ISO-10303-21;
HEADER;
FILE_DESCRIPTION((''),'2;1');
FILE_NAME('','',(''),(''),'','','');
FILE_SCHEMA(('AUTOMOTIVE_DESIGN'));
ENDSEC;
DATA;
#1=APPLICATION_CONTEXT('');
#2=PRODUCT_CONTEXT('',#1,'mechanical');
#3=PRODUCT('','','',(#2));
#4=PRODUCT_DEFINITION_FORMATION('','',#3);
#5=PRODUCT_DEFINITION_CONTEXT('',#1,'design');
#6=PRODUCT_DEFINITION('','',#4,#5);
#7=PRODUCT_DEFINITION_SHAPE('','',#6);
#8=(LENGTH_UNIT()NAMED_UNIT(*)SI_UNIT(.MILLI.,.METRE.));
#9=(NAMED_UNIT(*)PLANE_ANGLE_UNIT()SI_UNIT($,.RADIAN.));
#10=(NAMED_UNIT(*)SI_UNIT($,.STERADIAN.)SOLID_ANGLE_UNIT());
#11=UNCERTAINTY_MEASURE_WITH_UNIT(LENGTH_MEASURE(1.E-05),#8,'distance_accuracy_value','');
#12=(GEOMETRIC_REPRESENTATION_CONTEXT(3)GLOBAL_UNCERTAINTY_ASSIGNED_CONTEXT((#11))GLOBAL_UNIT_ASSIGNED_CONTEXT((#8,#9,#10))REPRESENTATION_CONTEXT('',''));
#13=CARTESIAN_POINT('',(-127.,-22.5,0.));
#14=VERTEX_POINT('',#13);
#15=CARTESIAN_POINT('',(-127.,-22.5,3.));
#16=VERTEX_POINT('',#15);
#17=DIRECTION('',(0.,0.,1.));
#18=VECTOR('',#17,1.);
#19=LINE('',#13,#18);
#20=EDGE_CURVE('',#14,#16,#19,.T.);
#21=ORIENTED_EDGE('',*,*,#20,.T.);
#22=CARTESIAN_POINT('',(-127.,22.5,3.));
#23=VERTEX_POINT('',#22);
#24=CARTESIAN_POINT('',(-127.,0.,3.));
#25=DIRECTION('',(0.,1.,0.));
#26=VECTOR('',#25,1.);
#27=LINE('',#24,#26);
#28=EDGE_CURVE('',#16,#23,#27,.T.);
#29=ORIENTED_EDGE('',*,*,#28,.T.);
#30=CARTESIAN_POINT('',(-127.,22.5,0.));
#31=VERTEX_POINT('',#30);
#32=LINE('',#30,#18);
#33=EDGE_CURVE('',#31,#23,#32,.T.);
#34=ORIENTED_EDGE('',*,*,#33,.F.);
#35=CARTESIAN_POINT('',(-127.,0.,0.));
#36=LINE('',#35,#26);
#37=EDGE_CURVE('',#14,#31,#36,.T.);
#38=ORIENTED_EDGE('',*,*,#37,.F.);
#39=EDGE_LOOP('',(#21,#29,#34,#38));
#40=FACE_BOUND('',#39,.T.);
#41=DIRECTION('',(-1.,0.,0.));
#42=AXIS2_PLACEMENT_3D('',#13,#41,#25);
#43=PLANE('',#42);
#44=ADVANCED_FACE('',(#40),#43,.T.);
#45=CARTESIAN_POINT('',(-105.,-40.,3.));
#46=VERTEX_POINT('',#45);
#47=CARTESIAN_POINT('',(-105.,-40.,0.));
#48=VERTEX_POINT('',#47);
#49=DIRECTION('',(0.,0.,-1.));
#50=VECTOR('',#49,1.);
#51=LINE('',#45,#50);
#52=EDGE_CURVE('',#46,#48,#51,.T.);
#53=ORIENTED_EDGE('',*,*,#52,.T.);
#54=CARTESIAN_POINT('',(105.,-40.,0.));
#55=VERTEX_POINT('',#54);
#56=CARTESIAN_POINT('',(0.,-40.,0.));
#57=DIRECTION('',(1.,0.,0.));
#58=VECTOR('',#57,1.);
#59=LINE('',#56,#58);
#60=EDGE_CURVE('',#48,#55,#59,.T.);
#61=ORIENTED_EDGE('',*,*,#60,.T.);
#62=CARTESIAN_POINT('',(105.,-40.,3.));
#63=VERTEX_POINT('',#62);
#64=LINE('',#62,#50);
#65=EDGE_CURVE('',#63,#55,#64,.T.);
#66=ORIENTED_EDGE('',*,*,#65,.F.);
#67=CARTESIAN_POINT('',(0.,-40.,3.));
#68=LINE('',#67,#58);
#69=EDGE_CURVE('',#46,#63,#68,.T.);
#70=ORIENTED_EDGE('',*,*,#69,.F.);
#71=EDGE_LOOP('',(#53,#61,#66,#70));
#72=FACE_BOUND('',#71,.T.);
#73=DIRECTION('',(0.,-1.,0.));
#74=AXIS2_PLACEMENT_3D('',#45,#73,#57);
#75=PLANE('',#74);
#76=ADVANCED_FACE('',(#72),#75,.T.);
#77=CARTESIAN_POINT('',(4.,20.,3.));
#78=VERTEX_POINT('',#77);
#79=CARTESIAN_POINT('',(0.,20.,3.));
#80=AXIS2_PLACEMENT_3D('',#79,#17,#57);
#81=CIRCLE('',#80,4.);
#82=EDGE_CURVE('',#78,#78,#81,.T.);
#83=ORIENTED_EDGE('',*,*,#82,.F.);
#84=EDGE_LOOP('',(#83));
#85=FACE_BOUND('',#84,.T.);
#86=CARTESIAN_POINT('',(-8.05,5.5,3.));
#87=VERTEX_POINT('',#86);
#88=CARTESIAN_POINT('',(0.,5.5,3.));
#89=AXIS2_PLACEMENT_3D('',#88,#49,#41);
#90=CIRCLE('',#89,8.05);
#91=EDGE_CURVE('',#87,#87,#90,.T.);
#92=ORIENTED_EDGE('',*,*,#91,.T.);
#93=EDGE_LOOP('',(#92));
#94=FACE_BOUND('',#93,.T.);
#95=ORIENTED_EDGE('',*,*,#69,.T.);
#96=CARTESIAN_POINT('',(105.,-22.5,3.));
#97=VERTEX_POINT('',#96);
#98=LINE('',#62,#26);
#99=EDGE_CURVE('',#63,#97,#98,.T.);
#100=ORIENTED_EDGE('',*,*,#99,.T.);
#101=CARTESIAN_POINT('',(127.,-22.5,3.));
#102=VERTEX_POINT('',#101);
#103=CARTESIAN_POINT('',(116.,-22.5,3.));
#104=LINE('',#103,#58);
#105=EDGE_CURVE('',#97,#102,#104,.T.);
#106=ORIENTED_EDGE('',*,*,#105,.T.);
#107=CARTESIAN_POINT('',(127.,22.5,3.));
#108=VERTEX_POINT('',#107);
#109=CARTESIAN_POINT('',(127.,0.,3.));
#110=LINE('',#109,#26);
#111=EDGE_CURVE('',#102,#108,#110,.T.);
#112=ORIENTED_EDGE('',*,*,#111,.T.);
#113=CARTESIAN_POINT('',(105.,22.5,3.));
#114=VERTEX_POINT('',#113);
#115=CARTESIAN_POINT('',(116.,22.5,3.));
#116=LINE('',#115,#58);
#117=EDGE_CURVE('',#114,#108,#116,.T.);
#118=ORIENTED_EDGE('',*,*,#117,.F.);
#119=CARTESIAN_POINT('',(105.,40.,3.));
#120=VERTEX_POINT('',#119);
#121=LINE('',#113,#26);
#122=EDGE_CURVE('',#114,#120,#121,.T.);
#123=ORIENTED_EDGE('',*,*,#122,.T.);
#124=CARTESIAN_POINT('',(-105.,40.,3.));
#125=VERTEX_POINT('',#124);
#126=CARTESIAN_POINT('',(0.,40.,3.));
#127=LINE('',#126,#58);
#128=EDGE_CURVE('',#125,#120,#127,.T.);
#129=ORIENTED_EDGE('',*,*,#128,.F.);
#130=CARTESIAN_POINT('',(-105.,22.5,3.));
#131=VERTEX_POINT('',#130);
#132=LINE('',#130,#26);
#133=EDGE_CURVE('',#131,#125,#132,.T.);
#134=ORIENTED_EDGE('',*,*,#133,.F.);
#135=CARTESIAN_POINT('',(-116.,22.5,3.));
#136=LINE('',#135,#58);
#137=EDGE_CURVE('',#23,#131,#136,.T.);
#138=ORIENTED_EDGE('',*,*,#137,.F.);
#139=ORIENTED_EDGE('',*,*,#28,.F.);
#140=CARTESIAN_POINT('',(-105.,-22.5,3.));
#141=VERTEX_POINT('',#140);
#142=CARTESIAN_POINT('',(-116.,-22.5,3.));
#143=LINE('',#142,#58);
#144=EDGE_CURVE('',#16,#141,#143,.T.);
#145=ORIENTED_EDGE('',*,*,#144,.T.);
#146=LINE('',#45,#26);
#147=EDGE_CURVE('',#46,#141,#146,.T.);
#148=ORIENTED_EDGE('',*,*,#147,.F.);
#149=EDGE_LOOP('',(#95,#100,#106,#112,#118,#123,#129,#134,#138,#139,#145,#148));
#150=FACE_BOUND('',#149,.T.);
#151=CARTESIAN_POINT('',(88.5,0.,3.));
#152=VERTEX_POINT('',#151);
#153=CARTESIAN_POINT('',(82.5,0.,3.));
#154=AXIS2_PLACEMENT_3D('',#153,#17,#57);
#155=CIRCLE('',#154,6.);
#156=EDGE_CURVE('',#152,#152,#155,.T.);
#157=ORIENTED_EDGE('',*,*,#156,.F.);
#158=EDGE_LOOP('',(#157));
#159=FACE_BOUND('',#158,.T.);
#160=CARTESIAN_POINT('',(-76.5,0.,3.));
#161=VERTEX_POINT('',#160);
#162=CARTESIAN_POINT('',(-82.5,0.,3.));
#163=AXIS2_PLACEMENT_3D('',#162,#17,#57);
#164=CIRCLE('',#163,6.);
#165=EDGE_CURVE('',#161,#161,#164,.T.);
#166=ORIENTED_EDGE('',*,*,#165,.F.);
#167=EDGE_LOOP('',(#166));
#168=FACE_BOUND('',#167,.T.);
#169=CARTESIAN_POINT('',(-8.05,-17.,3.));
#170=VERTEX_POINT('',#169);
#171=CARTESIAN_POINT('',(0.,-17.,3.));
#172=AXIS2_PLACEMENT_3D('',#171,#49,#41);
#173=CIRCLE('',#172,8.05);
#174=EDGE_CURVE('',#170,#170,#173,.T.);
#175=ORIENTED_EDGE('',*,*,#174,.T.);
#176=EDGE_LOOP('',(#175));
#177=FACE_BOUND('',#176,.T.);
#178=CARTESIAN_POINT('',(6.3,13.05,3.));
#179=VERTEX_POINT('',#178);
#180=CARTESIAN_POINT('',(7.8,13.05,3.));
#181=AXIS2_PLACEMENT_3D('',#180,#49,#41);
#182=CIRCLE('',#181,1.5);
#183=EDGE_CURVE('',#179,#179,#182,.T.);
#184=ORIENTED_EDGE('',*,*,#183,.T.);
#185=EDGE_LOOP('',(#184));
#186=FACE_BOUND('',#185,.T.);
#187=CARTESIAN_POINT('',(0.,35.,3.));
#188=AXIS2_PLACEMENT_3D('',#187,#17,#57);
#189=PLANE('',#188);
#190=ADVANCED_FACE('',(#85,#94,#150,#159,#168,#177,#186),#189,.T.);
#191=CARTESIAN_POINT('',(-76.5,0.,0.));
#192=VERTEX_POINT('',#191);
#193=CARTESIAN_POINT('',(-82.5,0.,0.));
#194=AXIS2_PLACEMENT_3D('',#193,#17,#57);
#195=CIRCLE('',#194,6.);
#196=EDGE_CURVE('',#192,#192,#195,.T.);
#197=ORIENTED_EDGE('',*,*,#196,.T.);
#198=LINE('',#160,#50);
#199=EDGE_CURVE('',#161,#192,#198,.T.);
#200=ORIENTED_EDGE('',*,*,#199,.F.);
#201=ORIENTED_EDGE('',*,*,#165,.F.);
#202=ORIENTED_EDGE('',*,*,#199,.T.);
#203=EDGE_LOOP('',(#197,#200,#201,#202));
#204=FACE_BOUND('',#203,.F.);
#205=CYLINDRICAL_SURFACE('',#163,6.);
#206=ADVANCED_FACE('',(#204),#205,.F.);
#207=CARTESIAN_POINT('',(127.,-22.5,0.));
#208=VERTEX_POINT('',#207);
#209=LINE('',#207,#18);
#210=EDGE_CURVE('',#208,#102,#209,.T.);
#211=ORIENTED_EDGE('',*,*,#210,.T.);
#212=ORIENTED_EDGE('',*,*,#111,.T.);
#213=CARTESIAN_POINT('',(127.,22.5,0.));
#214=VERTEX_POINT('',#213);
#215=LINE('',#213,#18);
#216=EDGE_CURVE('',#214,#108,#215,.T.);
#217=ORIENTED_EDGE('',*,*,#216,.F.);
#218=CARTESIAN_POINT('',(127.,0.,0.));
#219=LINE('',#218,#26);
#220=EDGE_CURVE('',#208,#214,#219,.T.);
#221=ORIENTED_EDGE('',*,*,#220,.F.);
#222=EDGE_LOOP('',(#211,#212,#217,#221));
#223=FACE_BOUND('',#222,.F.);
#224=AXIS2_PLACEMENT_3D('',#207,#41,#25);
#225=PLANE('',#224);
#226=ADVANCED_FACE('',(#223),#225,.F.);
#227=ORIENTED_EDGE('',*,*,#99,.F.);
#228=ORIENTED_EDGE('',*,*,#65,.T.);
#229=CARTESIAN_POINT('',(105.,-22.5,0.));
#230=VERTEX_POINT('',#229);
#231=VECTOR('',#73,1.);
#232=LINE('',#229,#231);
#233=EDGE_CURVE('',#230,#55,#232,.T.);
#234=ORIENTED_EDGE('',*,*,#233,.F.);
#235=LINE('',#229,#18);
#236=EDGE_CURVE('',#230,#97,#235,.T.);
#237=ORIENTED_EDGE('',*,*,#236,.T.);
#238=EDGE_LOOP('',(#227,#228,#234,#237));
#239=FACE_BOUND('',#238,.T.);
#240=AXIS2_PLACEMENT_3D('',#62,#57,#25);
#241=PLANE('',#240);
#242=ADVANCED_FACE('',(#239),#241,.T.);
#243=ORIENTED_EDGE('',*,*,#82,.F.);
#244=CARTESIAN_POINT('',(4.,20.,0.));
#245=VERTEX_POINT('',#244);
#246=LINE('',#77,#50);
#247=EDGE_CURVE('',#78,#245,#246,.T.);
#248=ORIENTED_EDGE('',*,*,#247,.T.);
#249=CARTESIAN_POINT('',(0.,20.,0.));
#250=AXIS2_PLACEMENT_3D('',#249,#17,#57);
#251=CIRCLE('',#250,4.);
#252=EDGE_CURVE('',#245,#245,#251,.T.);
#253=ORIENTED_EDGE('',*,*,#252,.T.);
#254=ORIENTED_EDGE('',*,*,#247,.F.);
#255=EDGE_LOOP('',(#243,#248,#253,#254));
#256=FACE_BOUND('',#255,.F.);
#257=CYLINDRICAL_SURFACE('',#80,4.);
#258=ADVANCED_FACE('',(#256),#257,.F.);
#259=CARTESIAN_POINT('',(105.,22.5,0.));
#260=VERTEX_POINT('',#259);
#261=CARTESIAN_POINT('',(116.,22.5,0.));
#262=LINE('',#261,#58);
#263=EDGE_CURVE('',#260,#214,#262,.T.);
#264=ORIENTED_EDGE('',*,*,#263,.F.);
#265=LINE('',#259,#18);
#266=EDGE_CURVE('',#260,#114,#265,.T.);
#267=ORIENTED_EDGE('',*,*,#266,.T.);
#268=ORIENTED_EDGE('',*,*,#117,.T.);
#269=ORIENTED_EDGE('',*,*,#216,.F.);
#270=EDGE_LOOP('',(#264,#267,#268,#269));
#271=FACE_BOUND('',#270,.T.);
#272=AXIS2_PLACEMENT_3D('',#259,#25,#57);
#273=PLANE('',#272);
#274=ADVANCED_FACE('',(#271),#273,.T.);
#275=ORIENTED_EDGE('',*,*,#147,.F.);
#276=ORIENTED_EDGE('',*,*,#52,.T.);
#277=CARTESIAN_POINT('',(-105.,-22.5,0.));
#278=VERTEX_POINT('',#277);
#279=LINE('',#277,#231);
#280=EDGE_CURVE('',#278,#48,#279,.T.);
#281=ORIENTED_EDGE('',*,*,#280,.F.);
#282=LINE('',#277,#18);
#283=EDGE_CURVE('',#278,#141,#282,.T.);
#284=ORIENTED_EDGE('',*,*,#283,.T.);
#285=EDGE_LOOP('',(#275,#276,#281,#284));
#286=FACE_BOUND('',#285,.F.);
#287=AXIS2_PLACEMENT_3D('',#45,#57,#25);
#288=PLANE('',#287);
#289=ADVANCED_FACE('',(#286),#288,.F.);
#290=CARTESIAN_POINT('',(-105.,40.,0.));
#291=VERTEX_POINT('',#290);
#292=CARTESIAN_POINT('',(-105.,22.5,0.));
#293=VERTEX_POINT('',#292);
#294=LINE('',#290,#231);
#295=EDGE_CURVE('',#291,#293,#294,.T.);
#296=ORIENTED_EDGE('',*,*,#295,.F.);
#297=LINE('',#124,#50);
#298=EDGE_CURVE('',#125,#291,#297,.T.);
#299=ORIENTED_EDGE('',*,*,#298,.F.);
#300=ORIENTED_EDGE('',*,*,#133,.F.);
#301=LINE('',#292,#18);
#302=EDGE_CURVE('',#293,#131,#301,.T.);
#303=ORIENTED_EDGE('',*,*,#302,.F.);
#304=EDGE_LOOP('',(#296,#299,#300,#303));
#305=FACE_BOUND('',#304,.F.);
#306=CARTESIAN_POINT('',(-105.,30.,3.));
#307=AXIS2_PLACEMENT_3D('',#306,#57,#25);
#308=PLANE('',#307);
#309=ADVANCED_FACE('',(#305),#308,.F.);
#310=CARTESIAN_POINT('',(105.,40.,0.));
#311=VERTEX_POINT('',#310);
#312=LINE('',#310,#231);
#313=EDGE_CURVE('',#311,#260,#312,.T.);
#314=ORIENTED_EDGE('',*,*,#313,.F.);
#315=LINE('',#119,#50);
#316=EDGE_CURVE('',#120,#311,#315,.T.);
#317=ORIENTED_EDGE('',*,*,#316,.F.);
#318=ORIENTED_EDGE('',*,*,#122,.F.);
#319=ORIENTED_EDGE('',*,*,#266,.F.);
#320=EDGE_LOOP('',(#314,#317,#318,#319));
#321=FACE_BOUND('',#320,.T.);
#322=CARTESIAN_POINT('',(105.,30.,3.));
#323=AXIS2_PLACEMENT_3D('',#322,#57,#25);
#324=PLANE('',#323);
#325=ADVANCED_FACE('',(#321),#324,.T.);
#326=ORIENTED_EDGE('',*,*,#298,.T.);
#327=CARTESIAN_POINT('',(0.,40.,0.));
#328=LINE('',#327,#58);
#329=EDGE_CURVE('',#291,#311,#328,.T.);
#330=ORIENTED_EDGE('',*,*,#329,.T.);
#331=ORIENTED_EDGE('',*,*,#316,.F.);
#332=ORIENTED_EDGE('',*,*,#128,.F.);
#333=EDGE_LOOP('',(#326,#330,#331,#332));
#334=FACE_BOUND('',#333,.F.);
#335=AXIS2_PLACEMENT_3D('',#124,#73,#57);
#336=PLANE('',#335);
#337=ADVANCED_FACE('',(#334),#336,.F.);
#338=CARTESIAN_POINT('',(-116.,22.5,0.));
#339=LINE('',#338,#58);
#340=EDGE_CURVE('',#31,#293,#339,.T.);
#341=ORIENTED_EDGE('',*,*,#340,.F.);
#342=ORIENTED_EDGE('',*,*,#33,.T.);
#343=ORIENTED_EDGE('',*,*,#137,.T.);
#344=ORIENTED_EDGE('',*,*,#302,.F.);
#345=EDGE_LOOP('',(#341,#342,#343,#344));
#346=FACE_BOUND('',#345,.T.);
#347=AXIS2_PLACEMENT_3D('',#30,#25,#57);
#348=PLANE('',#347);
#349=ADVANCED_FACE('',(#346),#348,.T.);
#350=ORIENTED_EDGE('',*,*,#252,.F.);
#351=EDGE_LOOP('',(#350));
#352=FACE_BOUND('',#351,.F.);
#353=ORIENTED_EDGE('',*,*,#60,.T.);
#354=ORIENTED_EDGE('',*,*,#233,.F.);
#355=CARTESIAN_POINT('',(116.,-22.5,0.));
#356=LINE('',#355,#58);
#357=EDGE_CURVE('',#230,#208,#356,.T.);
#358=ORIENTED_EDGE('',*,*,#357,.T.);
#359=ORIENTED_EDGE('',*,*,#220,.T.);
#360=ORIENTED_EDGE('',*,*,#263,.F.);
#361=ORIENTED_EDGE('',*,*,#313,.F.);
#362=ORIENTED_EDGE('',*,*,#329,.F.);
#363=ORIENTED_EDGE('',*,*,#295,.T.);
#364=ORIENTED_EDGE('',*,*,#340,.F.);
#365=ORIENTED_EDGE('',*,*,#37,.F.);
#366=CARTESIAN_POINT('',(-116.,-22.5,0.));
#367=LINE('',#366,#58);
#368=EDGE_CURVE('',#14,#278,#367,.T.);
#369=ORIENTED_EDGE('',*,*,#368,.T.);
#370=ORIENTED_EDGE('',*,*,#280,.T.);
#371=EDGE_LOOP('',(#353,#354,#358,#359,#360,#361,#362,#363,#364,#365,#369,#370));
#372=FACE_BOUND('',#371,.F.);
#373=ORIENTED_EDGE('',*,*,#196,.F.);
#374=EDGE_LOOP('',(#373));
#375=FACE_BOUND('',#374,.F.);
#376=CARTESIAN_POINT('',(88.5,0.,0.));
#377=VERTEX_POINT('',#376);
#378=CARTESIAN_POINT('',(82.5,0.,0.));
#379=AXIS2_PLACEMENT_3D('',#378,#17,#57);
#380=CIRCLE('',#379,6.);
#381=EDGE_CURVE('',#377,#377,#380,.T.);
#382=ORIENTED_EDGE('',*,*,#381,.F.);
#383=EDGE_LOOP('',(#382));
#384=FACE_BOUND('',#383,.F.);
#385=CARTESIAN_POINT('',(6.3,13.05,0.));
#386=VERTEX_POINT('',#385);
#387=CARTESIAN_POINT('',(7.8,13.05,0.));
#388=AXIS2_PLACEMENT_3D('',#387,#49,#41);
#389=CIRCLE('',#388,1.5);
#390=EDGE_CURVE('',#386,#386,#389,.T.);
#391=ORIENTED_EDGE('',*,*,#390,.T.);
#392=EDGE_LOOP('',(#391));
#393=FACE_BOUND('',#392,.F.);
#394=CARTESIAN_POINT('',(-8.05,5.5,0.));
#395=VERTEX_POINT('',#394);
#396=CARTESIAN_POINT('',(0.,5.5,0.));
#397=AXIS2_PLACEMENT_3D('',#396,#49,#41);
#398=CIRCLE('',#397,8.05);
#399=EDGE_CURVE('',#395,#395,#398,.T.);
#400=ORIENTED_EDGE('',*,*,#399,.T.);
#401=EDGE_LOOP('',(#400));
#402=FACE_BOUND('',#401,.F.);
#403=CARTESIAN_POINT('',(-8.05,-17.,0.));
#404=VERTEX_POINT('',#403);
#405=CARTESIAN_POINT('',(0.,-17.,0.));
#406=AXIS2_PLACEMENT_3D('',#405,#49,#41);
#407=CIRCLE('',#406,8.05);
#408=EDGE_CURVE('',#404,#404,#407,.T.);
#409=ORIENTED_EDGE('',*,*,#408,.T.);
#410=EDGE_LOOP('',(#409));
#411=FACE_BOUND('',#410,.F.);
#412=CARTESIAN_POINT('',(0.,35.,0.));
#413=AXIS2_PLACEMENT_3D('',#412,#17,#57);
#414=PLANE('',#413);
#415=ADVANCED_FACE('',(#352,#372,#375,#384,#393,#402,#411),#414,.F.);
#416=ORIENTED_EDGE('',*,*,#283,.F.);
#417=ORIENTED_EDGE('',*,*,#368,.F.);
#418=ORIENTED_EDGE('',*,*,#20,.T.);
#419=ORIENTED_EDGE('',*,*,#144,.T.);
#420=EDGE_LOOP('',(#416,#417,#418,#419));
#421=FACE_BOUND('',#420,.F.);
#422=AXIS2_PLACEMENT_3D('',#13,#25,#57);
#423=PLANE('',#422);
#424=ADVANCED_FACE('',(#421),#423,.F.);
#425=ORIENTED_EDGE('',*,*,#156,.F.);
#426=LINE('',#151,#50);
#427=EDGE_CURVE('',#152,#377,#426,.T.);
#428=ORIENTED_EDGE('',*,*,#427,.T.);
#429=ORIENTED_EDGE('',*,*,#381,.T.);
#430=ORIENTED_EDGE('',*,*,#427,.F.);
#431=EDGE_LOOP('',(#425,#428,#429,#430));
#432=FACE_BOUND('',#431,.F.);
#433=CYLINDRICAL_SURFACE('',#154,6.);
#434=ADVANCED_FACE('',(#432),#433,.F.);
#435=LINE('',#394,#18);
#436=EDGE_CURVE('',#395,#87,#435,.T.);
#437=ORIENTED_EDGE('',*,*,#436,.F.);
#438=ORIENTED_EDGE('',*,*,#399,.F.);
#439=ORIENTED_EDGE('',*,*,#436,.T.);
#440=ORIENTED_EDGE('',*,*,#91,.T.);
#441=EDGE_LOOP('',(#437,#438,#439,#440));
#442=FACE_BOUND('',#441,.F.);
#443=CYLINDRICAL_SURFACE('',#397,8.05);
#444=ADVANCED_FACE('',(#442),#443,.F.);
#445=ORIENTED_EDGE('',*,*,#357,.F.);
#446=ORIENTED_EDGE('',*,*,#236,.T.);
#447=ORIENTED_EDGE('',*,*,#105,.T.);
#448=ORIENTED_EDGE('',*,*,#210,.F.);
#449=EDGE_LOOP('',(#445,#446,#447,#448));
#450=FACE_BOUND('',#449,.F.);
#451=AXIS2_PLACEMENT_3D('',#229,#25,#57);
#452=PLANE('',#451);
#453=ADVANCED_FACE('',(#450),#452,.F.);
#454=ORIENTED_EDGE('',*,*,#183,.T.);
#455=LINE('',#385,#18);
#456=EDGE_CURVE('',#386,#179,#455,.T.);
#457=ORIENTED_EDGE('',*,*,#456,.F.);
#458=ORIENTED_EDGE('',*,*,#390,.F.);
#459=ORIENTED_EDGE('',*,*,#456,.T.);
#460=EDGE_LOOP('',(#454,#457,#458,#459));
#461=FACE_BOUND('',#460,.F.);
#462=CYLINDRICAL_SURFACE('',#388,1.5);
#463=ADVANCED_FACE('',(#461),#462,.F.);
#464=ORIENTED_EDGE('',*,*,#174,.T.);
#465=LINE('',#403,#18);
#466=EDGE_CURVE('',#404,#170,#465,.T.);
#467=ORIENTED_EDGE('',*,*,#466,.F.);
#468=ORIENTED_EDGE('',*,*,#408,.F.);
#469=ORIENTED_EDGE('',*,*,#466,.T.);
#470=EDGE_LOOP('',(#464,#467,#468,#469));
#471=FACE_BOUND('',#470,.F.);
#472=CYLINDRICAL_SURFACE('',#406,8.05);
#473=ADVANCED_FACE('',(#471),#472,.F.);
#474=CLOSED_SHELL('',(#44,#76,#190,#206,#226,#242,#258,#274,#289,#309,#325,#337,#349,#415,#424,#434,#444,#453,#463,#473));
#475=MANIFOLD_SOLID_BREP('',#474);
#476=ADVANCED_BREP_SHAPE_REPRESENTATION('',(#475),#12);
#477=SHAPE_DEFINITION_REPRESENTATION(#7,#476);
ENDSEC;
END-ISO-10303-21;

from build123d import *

# Parameters (mm, degrees)
CROQUIS1_W              = 22
CROQUIS1_H              = 45
CROQUIS1_W_2            = 210
CROQUIS1_H_2            = 60
SALIENTE_EXTRUIR1_DEPTH = 3
CORTAR_EXTRUIR1_REACH   = 5
CROQUIS2_R              = 6
CORTAR_EXTRUIR2_REACH   = 5
CROQUIS3_R              = 4
CROQUIS4_W              = 210
CROQUIS4_H              = 10
SALIENTE_EXTRUIR2_DEPTH = 3
CROQUIS5_W              = 210
CROQUIS5_H              = 10
SALIENTE_EXTRUIR3_DEPTH = 3
CROQUIS6_R              = 1.5
CROQUIS6_R_2            = 8.05
CORTAR_EXTRUIR3_DEPTH   = 7


with BuildPart() as part:
    # Croquis1 → Saliente-Extruir1 (new body)
    with BuildSketch(Plane.XY):
        with Locations((-116, 0)):
            Rectangle(CROQUIS1_W, CROQUIS1_H)
        Rectangle(CROQUIS1_W_2, CROQUIS1_H_2)
        with Locations((116, 0)):
            Rectangle(CROQUIS1_W, CROQUIS1_H)
    extrude(amount=SALIENTE_EXTRUIR1_DEPTH)

    # Croquis2 → Cortar-Extruir1 (cut, up to next)
    with BuildSketch(Plane.XY.offset(3), mode=Mode.PRIVATE) as cortar_extruir1_sk1:
        with Locations((82.5, 0)):
            Circle(CROQUIS2_R)
    cortar_extruir1_tool1 = extrude(cortar_extruir1_sk1.sketch, amount=-CORTAR_EXTRUIR1_REACH, mode=Mode.PRIVATE) & part.part
    add(cortar_extruir1_tool1.solids().sort_by_distance((82.5, 0, 3))[0], mode=Mode.SUBTRACT)
    # Croquis2 → Cortar-Extruir1 (cut, up to next)
    with BuildSketch(Plane.XY.offset(3), mode=Mode.PRIVATE) as cortar_extruir1_sk2:
        with Locations((-82.5, 0)):
            Circle(CROQUIS2_R)
    cortar_extruir1_tool2 = extrude(cortar_extruir1_sk2.sketch, amount=-CORTAR_EXTRUIR1_REACH, mode=Mode.PRIVATE) & part.part
    add(cortar_extruir1_tool2.solids().sort_by_distance((-82.5, 0, 3))[0], mode=Mode.SUBTRACT)

    # Croquis3 → Cortar-Extruir2 (cut, up to next)
    with BuildSketch(Plane.XY.offset(3), mode=Mode.PRIVATE) as cortar_extruir2_sk1:
        with Locations((0, 20)):
            Circle(CROQUIS3_R)
    cortar_extruir2_tool1 = extrude(cortar_extruir2_sk1.sketch, amount=-CORTAR_EXTRUIR2_REACH, mode=Mode.PRIVATE) & part.part
    add(cortar_extruir2_tool1.solids().sort_by_distance((0, 20, 3))[0], mode=Mode.SUBTRACT)

    # Croquis4 → Saliente-Extruir2 (add)
    with BuildSketch(Plane.XY.offset(3)):
        with Locations((0, -35)):
            Rectangle(CROQUIS4_W, CROQUIS4_H)
    extrude(amount=-SALIENTE_EXTRUIR2_DEPTH)

    # Croquis5 → Saliente-Extruir3 (add)
    with BuildSketch(Plane.XY.offset(3)):
        with Locations((0, 35)):
            Rectangle(CROQUIS5_W, CROQUIS5_H)
    extrude(amount=-SALIENTE_EXTRUIR3_DEPTH)

    # Croquis6 → Cortar-Extruir3 (cut)
    with BuildSketch(Plane(origin=(0, 0, 0), x_dir=(-1, 0, 0), z_dir=(0, 0, -1))):
        with Locations((-7.8, 13.05)):
            Circle(CROQUIS6_R)
        with Locations((0, 5.5)):
            Circle(CROQUIS6_R_2)
        with Locations((0, -17)):
            Circle(CROQUIS6_R_2)
    extrude(amount=-CORTAR_EXTRUIR3_DEPTH, mode=Mode.SUBTRACT)


solid = part.part
